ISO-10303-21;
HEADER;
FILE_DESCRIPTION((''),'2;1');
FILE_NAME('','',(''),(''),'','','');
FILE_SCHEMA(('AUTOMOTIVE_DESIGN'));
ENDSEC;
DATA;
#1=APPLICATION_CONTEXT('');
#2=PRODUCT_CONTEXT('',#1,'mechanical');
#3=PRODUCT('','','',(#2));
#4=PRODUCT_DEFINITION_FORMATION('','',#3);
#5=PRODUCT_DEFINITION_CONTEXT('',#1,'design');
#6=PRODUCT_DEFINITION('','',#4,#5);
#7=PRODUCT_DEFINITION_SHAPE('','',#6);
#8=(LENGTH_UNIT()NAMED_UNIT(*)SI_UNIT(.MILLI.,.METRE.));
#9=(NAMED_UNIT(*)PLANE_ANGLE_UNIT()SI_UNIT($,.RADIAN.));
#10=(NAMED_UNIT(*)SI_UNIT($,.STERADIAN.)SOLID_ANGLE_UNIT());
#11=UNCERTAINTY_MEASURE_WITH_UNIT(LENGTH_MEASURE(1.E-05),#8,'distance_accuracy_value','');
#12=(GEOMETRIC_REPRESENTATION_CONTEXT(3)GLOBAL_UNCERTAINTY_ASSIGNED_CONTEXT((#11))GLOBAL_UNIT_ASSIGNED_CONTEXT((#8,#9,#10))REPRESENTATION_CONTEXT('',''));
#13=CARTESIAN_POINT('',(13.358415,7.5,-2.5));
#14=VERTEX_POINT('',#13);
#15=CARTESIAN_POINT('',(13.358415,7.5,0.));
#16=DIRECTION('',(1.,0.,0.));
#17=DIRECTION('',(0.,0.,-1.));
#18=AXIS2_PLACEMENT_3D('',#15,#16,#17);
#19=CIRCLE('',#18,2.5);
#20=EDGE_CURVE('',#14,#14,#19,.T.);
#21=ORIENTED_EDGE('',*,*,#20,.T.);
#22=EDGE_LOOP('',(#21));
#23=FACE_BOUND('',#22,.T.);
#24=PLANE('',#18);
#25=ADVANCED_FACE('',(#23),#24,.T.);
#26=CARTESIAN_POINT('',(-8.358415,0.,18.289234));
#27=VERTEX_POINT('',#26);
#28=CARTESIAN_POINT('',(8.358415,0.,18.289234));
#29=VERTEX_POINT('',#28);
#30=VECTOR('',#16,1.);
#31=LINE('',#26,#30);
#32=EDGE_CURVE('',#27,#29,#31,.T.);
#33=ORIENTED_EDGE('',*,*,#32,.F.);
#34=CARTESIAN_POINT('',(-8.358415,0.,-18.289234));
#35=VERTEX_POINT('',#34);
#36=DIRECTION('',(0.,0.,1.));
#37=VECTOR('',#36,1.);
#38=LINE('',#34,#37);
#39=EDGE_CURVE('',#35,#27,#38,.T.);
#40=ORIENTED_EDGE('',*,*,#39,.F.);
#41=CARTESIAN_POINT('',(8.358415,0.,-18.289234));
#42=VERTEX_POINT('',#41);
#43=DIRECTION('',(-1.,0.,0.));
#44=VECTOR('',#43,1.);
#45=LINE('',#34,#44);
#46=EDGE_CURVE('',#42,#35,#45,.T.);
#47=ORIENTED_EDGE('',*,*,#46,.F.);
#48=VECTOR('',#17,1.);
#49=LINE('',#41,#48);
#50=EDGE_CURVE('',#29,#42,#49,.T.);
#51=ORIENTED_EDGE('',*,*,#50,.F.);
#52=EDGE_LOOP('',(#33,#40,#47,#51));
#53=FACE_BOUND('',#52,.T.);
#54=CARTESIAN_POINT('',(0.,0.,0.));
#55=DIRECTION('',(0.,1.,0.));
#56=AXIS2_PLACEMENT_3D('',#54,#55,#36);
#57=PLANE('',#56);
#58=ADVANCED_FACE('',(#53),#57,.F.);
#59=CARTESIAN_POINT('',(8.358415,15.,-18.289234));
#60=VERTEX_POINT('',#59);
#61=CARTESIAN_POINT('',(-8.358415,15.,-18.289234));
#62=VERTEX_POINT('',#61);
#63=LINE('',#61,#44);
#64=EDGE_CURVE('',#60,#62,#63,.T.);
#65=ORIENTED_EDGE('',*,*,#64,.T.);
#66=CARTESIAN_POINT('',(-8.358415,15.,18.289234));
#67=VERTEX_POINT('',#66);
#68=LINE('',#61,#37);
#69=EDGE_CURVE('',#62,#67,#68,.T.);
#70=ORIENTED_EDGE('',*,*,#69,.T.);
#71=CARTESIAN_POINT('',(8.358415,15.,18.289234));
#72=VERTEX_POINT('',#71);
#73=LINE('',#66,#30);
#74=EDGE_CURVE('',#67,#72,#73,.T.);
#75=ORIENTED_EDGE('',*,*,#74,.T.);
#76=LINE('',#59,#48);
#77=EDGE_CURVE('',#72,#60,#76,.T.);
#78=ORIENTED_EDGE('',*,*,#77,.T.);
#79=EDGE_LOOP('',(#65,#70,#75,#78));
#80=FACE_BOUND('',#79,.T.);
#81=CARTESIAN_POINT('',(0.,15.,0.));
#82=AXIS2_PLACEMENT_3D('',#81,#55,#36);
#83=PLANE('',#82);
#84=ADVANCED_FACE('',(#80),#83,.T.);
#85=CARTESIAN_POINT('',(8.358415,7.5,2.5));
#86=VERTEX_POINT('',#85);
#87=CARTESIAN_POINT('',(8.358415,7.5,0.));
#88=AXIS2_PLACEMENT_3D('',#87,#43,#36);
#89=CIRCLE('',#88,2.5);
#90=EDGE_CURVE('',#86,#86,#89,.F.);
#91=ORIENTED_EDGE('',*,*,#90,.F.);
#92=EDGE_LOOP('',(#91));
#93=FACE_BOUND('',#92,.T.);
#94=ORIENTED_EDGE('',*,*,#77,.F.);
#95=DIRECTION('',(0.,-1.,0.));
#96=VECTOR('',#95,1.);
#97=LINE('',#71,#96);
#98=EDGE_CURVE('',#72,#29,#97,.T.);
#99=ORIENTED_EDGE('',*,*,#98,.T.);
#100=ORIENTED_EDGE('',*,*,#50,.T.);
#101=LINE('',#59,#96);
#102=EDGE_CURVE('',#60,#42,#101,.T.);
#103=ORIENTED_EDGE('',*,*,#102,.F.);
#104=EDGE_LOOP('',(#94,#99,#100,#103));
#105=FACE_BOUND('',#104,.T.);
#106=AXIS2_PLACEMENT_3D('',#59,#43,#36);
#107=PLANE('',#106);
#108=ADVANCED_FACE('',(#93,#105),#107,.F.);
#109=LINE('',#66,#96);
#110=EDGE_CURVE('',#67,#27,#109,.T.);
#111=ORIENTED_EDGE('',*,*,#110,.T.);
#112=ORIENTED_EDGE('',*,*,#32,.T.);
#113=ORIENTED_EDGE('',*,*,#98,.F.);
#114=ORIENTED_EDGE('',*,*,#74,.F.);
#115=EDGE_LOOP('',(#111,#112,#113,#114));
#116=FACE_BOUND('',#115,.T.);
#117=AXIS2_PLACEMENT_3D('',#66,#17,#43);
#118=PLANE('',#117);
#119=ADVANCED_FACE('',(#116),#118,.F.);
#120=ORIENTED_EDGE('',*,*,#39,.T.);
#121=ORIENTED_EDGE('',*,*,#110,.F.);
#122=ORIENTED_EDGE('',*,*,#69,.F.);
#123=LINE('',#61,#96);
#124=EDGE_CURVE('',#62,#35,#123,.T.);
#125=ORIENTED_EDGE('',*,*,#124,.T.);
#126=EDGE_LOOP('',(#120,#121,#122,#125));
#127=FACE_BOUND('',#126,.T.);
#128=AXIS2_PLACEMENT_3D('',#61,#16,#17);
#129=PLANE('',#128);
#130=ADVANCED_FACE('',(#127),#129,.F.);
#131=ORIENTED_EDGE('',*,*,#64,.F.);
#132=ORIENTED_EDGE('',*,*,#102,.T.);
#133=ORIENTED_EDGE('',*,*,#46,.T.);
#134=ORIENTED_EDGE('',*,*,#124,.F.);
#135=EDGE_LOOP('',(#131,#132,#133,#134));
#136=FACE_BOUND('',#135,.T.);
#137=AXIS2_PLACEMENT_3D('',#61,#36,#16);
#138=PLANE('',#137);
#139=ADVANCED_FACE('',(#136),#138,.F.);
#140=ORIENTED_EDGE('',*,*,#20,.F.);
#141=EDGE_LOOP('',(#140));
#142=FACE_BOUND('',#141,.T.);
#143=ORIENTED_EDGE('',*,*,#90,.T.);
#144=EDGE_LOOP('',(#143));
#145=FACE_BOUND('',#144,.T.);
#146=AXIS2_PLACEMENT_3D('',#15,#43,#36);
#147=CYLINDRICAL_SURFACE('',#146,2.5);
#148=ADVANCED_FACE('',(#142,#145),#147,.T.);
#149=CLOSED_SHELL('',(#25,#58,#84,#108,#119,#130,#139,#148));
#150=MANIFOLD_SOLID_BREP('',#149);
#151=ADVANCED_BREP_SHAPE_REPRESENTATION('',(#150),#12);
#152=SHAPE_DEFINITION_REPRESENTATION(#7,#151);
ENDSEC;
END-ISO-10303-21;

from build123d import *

# Parameters (mm, degrees)
SKETCH_1_W      = 16.716829108
SKETCH_1_H      = 36.578468476
EXTRUDE_1_DEPTH = 15
SKETCH_2_R      = 2.5
EXTRUDE_2_DEPTH = 5


with BuildPart() as part:
    # 草图1 → 凸台-拉伸1 (new body)
    with BuildSketch(Plane(origin=(0, 0, 0), x_dir=(1, 0, 0), z_dir=(0, 1, 0))):
        Rectangle(SKETCH_1_W, SKETCH_1_H)
    extrude(amount=EXTRUDE_1_DEPTH)

    # 草图2 → 凸台-拉伸2 (add)
    with BuildSketch(Plane(origin=(8.358414554, 0, 0), x_dir=(0, 0, -1), z_dir=(1, 0, 0))):
        with Locations(Location((0, 7.5, 0), (0, 0, 180))):
            Circle(SKETCH_2_R)
    extrude(amount=EXTRUDE_2_DEPTH)


solid = part.part
